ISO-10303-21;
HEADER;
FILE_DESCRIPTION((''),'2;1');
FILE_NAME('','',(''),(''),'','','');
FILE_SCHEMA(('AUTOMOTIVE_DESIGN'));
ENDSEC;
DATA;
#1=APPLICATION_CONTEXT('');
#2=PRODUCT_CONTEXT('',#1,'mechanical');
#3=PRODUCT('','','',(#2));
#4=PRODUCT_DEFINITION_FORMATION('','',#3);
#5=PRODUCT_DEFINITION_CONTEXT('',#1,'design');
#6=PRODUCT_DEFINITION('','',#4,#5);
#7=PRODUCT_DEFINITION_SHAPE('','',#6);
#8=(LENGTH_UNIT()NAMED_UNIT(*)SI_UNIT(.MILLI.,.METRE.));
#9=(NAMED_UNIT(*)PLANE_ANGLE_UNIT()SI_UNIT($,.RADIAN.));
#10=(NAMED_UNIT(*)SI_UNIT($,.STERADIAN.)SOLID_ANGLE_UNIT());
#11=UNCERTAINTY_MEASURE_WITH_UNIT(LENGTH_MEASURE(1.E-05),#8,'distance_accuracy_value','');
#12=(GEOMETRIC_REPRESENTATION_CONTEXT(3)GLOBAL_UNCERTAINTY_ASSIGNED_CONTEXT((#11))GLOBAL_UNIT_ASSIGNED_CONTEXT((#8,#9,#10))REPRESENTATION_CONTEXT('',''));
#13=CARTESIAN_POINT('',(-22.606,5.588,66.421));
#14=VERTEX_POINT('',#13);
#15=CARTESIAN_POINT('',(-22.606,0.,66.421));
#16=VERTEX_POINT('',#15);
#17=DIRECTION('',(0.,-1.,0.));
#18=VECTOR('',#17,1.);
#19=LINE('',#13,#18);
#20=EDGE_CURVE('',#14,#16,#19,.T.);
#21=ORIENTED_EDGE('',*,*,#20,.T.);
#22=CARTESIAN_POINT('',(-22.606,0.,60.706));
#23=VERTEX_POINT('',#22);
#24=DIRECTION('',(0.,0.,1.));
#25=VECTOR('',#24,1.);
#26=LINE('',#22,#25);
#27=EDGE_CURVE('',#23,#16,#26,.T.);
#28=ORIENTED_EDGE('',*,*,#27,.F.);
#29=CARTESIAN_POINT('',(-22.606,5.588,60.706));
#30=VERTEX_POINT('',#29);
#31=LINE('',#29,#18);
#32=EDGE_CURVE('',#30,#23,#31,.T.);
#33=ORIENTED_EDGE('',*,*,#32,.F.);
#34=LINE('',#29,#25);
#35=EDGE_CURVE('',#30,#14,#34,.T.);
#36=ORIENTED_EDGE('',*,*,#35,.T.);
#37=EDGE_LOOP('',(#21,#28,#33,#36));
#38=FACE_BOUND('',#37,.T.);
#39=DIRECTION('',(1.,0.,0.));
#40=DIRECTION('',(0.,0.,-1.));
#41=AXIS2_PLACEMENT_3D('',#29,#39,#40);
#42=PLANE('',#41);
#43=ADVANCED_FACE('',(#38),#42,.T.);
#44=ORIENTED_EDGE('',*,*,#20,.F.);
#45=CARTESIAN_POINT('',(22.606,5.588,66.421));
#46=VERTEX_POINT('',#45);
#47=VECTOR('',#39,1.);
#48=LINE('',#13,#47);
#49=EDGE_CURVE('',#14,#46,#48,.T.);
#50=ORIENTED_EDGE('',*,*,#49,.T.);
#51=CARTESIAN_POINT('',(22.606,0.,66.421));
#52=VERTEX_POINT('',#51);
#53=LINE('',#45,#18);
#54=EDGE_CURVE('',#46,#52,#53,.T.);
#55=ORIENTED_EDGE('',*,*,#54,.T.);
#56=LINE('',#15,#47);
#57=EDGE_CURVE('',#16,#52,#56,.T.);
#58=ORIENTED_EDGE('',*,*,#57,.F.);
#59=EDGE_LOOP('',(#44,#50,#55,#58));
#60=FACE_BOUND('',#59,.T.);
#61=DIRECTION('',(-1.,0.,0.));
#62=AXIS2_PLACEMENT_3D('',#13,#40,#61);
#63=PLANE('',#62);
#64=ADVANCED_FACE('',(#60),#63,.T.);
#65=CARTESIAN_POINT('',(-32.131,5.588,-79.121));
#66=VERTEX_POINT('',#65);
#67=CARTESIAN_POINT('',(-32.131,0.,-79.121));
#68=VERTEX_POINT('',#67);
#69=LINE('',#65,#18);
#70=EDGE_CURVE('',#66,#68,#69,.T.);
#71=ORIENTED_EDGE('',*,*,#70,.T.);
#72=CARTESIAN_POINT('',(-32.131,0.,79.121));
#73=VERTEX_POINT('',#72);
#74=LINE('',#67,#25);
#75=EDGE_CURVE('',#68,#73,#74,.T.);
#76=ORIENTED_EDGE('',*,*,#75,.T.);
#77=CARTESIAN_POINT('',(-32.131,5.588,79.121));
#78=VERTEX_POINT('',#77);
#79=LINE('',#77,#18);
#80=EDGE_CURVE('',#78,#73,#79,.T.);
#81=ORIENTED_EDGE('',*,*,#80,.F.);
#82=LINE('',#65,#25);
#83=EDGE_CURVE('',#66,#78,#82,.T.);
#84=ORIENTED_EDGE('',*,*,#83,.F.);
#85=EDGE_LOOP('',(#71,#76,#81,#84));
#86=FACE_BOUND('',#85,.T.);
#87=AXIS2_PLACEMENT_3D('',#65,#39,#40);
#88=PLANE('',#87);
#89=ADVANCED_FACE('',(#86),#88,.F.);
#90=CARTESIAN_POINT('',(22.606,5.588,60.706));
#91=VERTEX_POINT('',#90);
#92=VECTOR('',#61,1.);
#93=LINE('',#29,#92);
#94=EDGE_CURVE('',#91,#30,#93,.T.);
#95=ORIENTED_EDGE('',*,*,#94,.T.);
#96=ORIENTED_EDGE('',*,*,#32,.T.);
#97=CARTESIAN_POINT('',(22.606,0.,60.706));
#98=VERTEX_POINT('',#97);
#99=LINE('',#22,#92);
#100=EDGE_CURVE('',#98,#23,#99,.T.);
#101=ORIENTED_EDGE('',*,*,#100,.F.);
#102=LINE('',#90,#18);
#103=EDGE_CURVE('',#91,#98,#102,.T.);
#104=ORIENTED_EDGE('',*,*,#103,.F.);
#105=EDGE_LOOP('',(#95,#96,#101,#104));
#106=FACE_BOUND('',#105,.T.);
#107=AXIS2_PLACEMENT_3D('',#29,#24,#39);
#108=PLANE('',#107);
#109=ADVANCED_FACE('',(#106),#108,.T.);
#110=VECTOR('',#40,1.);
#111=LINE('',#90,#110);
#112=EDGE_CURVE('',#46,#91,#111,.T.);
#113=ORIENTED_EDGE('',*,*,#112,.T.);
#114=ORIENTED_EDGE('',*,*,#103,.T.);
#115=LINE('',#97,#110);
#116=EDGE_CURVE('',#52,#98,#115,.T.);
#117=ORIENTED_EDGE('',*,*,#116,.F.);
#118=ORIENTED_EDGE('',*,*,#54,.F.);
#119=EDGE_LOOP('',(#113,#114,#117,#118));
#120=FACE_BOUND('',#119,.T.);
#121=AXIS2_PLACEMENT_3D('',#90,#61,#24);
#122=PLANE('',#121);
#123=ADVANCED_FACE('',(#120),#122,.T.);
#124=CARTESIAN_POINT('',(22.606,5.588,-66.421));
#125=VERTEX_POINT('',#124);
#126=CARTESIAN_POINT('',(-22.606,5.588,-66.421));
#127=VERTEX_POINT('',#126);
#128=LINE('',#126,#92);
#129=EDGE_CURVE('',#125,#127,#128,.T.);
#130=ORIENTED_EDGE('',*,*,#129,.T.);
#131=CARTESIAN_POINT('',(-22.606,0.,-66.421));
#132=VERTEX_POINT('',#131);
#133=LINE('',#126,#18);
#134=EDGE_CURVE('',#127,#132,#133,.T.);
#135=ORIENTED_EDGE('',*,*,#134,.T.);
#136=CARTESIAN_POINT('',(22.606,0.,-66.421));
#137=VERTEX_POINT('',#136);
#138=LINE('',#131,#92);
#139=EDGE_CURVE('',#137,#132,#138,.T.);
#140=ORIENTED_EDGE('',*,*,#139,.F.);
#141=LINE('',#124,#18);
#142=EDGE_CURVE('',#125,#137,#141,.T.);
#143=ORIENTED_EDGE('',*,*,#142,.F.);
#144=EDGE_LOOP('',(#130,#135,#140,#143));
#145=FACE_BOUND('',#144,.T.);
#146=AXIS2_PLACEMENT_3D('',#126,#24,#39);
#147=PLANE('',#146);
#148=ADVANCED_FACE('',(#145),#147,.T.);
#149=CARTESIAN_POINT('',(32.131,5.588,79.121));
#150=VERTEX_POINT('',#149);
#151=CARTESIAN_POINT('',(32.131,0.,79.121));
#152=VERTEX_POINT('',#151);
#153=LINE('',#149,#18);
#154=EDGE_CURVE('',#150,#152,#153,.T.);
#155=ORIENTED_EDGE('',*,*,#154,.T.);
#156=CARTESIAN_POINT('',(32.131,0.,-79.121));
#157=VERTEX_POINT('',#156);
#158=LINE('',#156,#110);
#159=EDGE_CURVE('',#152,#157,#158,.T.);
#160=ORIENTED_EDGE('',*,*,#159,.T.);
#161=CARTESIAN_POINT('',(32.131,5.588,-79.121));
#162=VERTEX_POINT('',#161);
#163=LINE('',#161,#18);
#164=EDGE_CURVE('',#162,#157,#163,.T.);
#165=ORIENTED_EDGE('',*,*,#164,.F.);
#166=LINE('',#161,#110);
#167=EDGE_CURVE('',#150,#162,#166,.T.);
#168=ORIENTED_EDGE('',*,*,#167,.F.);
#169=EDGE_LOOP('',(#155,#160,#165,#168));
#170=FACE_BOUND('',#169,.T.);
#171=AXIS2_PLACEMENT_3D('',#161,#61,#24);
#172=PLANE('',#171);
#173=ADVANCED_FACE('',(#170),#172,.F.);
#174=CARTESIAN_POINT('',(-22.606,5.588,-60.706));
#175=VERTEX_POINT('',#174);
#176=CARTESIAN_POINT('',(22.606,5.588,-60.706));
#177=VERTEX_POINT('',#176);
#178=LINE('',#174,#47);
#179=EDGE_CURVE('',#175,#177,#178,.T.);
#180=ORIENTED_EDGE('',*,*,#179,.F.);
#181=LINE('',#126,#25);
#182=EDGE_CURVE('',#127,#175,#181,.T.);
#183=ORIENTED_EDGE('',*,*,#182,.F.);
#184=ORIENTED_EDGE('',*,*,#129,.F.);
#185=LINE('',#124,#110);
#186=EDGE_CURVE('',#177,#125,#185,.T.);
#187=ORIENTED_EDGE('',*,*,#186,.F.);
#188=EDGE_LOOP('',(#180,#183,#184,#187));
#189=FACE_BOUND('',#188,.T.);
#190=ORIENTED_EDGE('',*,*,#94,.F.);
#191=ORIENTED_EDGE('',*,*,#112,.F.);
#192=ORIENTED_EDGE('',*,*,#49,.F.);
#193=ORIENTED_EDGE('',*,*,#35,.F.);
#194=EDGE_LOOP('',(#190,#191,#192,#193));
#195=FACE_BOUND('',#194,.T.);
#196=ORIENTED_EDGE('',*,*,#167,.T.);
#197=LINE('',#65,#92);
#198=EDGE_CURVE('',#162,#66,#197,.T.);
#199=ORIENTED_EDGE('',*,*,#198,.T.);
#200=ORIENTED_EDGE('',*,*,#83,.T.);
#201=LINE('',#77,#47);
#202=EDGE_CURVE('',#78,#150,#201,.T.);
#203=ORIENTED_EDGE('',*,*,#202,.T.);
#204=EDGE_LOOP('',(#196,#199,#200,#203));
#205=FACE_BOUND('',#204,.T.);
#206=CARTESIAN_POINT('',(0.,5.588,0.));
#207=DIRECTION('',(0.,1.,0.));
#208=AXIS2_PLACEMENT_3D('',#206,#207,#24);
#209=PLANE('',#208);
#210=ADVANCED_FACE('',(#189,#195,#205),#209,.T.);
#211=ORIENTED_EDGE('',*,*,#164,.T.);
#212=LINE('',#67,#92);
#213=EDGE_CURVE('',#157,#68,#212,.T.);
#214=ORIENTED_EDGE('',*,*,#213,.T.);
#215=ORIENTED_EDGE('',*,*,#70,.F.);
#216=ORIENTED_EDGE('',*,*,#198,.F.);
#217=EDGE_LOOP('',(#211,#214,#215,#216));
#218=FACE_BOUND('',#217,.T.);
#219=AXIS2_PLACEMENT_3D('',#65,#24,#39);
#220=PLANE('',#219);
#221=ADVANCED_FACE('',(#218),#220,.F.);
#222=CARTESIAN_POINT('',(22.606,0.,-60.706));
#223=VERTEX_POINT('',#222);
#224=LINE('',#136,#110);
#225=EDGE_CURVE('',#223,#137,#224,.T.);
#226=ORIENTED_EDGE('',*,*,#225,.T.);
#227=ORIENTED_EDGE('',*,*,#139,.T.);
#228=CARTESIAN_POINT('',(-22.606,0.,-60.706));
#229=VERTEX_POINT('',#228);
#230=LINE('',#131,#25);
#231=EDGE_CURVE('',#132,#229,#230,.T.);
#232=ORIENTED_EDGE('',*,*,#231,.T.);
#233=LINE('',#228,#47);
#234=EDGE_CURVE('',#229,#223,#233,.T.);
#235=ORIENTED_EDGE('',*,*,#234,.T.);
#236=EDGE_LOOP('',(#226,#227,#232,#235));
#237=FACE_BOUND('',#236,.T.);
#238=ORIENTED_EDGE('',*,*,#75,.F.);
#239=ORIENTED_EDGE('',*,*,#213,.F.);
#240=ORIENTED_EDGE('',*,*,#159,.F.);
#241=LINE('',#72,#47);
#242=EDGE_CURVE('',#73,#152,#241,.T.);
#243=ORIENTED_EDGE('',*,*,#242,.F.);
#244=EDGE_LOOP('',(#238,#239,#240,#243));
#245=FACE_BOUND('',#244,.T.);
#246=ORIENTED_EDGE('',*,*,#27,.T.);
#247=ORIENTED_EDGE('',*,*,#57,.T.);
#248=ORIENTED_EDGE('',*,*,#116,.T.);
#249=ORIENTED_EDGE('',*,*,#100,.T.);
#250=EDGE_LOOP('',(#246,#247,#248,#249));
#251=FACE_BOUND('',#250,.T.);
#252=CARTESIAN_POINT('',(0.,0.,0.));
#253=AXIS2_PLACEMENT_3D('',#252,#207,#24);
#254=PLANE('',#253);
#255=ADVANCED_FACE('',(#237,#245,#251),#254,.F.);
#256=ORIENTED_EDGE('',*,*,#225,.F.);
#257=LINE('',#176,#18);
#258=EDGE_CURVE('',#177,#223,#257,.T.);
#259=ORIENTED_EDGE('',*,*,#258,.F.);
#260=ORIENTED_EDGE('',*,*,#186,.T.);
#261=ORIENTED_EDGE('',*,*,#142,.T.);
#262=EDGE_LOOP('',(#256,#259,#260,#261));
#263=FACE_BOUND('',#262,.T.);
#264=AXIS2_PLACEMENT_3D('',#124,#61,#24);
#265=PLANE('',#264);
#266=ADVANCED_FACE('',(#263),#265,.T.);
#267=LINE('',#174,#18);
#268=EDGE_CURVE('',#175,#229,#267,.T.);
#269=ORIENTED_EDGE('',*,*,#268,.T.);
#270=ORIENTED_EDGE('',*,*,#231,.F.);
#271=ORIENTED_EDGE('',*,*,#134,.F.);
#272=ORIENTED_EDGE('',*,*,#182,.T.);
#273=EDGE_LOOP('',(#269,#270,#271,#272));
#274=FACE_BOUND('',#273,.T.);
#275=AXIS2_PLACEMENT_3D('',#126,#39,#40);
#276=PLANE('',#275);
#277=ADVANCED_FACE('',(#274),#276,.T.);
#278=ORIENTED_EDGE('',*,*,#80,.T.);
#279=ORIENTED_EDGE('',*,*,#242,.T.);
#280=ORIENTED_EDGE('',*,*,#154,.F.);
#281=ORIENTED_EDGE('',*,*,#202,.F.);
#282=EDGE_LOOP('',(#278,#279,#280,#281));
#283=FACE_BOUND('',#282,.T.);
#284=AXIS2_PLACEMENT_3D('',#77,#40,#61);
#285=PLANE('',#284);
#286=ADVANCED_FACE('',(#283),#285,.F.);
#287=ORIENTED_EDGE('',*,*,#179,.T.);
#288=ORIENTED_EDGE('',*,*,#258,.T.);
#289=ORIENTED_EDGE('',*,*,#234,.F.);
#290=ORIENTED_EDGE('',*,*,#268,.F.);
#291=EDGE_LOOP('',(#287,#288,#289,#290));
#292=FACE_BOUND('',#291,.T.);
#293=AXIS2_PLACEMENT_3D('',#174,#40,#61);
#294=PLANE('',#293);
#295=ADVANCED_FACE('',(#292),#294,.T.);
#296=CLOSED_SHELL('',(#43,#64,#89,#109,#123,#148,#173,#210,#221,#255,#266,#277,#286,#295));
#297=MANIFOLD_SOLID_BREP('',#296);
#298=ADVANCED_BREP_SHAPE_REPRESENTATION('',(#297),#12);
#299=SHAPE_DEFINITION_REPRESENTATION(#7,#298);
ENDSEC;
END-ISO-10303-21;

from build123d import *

# Parameters (mm, degrees)
SKETCH1_W           = 64.262
SKETCH1_H           = 158.242
SKETCH1_W_2         = 45.212
SKETCH1_H_2         = 5.715
BOSS_EXTRUDE1_DEPTH = 5.588


with BuildPart() as part:
    # Sketch1 → Boss-Extrude1 (new body)
    with BuildSketch(Plane(origin=(0, 0, 0), x_dir=(1, 0, 0), z_dir=(0, 1, 0))):
        Rectangle(SKETCH1_W, SKETCH1_H)
        with Locations((0, -63.5635)):
            Rectangle(SKETCH1_W_2, SKETCH1_H_2, mode=Mode.SUBTRACT)
        with Locations((0, 63.5635)):
            Rectangle(SKETCH1_W_2, SKETCH1_H_2, mode=Mode.SUBTRACT)
    extrude(amount=BOSS_EXTRUDE1_DEPTH)


solid = part.part
